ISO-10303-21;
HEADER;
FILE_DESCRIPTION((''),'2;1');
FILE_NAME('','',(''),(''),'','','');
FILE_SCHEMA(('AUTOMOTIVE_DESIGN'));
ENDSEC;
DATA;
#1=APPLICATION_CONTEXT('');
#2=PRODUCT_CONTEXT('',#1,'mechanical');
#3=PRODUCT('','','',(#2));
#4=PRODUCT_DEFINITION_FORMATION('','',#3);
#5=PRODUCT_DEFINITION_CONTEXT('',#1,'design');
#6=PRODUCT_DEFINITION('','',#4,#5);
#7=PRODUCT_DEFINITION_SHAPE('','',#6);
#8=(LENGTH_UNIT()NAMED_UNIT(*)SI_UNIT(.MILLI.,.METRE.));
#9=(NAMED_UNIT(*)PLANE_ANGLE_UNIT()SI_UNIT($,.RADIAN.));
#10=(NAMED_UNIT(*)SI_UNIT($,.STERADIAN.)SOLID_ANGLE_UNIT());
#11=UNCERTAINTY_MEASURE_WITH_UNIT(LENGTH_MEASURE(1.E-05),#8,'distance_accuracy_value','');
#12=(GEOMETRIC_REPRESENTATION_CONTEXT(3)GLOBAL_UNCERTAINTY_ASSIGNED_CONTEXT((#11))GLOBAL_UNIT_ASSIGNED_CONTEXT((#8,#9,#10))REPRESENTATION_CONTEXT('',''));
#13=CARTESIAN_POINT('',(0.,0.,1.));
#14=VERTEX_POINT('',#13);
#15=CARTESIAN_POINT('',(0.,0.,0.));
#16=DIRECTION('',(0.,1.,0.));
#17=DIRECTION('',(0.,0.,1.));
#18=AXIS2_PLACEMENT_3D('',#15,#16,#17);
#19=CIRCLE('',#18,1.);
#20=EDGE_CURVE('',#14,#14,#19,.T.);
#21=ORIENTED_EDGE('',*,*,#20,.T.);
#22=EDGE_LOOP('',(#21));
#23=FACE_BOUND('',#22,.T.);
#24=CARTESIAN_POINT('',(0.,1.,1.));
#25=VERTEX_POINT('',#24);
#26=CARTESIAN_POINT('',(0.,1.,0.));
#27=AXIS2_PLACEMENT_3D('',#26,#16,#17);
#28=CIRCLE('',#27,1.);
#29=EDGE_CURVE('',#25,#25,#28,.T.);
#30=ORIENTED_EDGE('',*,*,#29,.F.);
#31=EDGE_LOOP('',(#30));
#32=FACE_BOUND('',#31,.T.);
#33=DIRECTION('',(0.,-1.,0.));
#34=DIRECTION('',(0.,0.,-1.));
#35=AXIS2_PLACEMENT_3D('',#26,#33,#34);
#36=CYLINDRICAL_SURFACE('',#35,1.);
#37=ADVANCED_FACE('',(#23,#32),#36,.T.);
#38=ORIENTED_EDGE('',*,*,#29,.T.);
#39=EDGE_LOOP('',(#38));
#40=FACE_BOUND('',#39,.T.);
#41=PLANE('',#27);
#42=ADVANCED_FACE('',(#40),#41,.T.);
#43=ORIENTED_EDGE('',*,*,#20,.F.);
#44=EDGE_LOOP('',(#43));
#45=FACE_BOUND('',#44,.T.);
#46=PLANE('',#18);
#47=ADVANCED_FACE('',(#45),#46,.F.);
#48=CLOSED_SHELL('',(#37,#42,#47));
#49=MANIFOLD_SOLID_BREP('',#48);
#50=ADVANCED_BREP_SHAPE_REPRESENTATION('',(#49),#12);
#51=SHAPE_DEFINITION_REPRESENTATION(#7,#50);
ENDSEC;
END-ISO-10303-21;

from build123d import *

# Parameters (mm, degrees)
SKETCH1_R           = 1
BOSS_EXTRUDE1_DEPTH = 1


with BuildPart() as part:
    # Sketch1 → Boss-Extrude1 (new body)
    with BuildSketch(Plane(origin=(0, 0, 0), x_dir=(1, 0, 0), z_dir=(0, 1, 0))):
        Circle(SKETCH1_R)
    extrude(amount=BOSS_EXTRUDE1_DEPTH)


solid = part.part
